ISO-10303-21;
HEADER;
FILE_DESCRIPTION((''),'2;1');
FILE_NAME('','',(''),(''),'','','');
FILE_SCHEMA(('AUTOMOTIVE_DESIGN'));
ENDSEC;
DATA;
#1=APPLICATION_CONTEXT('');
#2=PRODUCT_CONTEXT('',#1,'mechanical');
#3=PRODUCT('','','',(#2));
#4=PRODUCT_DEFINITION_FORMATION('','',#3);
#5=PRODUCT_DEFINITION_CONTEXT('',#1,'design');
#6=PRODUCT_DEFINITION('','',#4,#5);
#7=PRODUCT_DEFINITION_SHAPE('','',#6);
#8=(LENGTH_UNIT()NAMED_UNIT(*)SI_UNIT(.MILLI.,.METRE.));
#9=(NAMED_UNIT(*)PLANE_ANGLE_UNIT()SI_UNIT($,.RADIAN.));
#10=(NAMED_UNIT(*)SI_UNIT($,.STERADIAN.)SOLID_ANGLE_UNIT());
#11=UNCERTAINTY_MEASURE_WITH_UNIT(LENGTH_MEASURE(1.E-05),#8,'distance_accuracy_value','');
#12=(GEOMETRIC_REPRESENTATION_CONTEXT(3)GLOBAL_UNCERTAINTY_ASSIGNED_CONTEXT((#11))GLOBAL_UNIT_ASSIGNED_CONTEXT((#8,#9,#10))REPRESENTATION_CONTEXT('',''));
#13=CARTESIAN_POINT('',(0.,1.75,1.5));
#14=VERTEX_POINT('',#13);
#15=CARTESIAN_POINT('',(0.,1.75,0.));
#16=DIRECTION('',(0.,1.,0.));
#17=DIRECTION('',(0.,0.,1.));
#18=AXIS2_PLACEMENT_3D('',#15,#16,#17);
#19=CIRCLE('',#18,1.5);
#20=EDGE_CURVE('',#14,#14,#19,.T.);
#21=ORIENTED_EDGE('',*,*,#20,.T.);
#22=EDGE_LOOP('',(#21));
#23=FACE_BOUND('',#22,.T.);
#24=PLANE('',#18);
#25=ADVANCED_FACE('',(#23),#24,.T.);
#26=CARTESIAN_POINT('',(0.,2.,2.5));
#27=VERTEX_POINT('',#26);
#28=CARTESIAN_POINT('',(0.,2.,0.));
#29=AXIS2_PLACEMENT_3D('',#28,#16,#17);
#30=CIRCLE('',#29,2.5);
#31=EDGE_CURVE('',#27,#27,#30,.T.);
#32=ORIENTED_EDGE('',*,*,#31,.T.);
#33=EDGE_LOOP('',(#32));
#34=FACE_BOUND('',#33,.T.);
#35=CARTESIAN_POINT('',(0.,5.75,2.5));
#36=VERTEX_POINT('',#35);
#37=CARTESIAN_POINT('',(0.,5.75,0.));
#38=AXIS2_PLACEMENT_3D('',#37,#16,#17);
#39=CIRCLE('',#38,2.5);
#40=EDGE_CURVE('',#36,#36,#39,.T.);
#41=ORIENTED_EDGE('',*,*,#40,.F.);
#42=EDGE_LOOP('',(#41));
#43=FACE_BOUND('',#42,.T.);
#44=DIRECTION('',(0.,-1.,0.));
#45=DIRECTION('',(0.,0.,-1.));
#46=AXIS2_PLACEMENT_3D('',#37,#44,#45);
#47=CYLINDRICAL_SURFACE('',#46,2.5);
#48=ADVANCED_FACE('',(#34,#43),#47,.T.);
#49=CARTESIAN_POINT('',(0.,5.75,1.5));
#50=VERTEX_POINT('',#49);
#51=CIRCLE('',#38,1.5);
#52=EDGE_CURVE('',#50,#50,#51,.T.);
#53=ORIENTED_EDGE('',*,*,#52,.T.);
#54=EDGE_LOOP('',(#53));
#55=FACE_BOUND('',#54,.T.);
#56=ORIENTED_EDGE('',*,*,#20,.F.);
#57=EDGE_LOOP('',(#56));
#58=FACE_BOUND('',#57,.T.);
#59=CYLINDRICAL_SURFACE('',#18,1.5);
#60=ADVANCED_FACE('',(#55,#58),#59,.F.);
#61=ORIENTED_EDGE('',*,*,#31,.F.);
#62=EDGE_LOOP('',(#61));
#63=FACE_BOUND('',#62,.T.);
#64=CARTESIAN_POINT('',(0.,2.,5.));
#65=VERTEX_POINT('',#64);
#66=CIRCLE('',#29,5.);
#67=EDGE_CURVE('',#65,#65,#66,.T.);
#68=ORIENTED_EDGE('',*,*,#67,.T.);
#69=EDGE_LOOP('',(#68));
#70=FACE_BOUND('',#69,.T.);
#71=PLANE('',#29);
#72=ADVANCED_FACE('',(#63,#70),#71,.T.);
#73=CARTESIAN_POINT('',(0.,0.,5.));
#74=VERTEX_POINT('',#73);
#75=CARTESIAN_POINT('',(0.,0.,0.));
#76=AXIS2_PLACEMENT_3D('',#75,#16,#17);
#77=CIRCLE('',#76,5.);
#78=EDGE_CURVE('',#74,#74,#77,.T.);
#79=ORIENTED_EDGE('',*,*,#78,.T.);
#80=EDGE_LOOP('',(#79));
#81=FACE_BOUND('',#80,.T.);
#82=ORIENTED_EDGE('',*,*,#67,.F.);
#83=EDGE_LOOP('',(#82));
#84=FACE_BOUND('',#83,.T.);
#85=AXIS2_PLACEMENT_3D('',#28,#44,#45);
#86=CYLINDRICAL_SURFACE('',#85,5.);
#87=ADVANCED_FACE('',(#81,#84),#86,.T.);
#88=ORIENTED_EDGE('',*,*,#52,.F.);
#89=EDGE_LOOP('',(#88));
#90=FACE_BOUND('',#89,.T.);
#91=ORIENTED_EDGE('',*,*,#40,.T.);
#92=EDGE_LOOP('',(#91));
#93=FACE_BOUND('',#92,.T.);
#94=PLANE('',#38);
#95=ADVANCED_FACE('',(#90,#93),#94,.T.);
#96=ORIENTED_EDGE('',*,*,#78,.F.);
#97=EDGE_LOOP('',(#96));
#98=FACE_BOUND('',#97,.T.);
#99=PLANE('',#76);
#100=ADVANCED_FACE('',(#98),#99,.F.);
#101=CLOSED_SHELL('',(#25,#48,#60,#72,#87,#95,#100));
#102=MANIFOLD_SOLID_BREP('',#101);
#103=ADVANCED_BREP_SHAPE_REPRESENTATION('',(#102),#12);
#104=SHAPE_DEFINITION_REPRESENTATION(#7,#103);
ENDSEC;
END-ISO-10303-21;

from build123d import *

# Parameters (mm, degrees)
SKETCH1_R           = 5
BOSS_EXTRUDE1_DEPTH = 2
SKETCH2_R           = 2.5
BOSS_EXTRUDE2_DEPTH = 3.75
SKETCH3_R           = 1.5
CUT_EXTRUDE1_DEPTH  = 4


with BuildPart() as part:
    # Sketch1 → Boss-Extrude1 (new body)
    with BuildSketch(Plane(origin=(0, 0, 0), x_dir=(1, 0, 0), z_dir=(0, 1, 0))):
        with Locations(Location((0, 0, 0), (0, 0, 270))):
            Circle(SKETCH1_R)
    extrude(amount=BOSS_EXTRUDE1_DEPTH)

    # Sketch2 → Boss-Extrude2 (add)
    with BuildSketch(Plane(origin=(0, 2, 0), x_dir=(1, 0, 0), z_dir=(0, 1, 0))):
        with Locations(Location((0, 0, 0), (0, 0, 270))):
            Circle(SKETCH2_R)
    extrude(amount=BOSS_EXTRUDE2_DEPTH)

    # Sketch3 → Cut-Extrude1 (cut)
    with BuildSketch(Plane(origin=(0, 5.75, 0), x_dir=(1, 0, 0), z_dir=(0, 1, 0))):
        with Locations(Location((0, 0, 0), (0, 0, 270))):
            Circle(SKETCH3_R)
    extrude(amount=-CUT_EXTRUDE1_DEPTH, mode=Mode.SUBTRACT)


solid = part.part
